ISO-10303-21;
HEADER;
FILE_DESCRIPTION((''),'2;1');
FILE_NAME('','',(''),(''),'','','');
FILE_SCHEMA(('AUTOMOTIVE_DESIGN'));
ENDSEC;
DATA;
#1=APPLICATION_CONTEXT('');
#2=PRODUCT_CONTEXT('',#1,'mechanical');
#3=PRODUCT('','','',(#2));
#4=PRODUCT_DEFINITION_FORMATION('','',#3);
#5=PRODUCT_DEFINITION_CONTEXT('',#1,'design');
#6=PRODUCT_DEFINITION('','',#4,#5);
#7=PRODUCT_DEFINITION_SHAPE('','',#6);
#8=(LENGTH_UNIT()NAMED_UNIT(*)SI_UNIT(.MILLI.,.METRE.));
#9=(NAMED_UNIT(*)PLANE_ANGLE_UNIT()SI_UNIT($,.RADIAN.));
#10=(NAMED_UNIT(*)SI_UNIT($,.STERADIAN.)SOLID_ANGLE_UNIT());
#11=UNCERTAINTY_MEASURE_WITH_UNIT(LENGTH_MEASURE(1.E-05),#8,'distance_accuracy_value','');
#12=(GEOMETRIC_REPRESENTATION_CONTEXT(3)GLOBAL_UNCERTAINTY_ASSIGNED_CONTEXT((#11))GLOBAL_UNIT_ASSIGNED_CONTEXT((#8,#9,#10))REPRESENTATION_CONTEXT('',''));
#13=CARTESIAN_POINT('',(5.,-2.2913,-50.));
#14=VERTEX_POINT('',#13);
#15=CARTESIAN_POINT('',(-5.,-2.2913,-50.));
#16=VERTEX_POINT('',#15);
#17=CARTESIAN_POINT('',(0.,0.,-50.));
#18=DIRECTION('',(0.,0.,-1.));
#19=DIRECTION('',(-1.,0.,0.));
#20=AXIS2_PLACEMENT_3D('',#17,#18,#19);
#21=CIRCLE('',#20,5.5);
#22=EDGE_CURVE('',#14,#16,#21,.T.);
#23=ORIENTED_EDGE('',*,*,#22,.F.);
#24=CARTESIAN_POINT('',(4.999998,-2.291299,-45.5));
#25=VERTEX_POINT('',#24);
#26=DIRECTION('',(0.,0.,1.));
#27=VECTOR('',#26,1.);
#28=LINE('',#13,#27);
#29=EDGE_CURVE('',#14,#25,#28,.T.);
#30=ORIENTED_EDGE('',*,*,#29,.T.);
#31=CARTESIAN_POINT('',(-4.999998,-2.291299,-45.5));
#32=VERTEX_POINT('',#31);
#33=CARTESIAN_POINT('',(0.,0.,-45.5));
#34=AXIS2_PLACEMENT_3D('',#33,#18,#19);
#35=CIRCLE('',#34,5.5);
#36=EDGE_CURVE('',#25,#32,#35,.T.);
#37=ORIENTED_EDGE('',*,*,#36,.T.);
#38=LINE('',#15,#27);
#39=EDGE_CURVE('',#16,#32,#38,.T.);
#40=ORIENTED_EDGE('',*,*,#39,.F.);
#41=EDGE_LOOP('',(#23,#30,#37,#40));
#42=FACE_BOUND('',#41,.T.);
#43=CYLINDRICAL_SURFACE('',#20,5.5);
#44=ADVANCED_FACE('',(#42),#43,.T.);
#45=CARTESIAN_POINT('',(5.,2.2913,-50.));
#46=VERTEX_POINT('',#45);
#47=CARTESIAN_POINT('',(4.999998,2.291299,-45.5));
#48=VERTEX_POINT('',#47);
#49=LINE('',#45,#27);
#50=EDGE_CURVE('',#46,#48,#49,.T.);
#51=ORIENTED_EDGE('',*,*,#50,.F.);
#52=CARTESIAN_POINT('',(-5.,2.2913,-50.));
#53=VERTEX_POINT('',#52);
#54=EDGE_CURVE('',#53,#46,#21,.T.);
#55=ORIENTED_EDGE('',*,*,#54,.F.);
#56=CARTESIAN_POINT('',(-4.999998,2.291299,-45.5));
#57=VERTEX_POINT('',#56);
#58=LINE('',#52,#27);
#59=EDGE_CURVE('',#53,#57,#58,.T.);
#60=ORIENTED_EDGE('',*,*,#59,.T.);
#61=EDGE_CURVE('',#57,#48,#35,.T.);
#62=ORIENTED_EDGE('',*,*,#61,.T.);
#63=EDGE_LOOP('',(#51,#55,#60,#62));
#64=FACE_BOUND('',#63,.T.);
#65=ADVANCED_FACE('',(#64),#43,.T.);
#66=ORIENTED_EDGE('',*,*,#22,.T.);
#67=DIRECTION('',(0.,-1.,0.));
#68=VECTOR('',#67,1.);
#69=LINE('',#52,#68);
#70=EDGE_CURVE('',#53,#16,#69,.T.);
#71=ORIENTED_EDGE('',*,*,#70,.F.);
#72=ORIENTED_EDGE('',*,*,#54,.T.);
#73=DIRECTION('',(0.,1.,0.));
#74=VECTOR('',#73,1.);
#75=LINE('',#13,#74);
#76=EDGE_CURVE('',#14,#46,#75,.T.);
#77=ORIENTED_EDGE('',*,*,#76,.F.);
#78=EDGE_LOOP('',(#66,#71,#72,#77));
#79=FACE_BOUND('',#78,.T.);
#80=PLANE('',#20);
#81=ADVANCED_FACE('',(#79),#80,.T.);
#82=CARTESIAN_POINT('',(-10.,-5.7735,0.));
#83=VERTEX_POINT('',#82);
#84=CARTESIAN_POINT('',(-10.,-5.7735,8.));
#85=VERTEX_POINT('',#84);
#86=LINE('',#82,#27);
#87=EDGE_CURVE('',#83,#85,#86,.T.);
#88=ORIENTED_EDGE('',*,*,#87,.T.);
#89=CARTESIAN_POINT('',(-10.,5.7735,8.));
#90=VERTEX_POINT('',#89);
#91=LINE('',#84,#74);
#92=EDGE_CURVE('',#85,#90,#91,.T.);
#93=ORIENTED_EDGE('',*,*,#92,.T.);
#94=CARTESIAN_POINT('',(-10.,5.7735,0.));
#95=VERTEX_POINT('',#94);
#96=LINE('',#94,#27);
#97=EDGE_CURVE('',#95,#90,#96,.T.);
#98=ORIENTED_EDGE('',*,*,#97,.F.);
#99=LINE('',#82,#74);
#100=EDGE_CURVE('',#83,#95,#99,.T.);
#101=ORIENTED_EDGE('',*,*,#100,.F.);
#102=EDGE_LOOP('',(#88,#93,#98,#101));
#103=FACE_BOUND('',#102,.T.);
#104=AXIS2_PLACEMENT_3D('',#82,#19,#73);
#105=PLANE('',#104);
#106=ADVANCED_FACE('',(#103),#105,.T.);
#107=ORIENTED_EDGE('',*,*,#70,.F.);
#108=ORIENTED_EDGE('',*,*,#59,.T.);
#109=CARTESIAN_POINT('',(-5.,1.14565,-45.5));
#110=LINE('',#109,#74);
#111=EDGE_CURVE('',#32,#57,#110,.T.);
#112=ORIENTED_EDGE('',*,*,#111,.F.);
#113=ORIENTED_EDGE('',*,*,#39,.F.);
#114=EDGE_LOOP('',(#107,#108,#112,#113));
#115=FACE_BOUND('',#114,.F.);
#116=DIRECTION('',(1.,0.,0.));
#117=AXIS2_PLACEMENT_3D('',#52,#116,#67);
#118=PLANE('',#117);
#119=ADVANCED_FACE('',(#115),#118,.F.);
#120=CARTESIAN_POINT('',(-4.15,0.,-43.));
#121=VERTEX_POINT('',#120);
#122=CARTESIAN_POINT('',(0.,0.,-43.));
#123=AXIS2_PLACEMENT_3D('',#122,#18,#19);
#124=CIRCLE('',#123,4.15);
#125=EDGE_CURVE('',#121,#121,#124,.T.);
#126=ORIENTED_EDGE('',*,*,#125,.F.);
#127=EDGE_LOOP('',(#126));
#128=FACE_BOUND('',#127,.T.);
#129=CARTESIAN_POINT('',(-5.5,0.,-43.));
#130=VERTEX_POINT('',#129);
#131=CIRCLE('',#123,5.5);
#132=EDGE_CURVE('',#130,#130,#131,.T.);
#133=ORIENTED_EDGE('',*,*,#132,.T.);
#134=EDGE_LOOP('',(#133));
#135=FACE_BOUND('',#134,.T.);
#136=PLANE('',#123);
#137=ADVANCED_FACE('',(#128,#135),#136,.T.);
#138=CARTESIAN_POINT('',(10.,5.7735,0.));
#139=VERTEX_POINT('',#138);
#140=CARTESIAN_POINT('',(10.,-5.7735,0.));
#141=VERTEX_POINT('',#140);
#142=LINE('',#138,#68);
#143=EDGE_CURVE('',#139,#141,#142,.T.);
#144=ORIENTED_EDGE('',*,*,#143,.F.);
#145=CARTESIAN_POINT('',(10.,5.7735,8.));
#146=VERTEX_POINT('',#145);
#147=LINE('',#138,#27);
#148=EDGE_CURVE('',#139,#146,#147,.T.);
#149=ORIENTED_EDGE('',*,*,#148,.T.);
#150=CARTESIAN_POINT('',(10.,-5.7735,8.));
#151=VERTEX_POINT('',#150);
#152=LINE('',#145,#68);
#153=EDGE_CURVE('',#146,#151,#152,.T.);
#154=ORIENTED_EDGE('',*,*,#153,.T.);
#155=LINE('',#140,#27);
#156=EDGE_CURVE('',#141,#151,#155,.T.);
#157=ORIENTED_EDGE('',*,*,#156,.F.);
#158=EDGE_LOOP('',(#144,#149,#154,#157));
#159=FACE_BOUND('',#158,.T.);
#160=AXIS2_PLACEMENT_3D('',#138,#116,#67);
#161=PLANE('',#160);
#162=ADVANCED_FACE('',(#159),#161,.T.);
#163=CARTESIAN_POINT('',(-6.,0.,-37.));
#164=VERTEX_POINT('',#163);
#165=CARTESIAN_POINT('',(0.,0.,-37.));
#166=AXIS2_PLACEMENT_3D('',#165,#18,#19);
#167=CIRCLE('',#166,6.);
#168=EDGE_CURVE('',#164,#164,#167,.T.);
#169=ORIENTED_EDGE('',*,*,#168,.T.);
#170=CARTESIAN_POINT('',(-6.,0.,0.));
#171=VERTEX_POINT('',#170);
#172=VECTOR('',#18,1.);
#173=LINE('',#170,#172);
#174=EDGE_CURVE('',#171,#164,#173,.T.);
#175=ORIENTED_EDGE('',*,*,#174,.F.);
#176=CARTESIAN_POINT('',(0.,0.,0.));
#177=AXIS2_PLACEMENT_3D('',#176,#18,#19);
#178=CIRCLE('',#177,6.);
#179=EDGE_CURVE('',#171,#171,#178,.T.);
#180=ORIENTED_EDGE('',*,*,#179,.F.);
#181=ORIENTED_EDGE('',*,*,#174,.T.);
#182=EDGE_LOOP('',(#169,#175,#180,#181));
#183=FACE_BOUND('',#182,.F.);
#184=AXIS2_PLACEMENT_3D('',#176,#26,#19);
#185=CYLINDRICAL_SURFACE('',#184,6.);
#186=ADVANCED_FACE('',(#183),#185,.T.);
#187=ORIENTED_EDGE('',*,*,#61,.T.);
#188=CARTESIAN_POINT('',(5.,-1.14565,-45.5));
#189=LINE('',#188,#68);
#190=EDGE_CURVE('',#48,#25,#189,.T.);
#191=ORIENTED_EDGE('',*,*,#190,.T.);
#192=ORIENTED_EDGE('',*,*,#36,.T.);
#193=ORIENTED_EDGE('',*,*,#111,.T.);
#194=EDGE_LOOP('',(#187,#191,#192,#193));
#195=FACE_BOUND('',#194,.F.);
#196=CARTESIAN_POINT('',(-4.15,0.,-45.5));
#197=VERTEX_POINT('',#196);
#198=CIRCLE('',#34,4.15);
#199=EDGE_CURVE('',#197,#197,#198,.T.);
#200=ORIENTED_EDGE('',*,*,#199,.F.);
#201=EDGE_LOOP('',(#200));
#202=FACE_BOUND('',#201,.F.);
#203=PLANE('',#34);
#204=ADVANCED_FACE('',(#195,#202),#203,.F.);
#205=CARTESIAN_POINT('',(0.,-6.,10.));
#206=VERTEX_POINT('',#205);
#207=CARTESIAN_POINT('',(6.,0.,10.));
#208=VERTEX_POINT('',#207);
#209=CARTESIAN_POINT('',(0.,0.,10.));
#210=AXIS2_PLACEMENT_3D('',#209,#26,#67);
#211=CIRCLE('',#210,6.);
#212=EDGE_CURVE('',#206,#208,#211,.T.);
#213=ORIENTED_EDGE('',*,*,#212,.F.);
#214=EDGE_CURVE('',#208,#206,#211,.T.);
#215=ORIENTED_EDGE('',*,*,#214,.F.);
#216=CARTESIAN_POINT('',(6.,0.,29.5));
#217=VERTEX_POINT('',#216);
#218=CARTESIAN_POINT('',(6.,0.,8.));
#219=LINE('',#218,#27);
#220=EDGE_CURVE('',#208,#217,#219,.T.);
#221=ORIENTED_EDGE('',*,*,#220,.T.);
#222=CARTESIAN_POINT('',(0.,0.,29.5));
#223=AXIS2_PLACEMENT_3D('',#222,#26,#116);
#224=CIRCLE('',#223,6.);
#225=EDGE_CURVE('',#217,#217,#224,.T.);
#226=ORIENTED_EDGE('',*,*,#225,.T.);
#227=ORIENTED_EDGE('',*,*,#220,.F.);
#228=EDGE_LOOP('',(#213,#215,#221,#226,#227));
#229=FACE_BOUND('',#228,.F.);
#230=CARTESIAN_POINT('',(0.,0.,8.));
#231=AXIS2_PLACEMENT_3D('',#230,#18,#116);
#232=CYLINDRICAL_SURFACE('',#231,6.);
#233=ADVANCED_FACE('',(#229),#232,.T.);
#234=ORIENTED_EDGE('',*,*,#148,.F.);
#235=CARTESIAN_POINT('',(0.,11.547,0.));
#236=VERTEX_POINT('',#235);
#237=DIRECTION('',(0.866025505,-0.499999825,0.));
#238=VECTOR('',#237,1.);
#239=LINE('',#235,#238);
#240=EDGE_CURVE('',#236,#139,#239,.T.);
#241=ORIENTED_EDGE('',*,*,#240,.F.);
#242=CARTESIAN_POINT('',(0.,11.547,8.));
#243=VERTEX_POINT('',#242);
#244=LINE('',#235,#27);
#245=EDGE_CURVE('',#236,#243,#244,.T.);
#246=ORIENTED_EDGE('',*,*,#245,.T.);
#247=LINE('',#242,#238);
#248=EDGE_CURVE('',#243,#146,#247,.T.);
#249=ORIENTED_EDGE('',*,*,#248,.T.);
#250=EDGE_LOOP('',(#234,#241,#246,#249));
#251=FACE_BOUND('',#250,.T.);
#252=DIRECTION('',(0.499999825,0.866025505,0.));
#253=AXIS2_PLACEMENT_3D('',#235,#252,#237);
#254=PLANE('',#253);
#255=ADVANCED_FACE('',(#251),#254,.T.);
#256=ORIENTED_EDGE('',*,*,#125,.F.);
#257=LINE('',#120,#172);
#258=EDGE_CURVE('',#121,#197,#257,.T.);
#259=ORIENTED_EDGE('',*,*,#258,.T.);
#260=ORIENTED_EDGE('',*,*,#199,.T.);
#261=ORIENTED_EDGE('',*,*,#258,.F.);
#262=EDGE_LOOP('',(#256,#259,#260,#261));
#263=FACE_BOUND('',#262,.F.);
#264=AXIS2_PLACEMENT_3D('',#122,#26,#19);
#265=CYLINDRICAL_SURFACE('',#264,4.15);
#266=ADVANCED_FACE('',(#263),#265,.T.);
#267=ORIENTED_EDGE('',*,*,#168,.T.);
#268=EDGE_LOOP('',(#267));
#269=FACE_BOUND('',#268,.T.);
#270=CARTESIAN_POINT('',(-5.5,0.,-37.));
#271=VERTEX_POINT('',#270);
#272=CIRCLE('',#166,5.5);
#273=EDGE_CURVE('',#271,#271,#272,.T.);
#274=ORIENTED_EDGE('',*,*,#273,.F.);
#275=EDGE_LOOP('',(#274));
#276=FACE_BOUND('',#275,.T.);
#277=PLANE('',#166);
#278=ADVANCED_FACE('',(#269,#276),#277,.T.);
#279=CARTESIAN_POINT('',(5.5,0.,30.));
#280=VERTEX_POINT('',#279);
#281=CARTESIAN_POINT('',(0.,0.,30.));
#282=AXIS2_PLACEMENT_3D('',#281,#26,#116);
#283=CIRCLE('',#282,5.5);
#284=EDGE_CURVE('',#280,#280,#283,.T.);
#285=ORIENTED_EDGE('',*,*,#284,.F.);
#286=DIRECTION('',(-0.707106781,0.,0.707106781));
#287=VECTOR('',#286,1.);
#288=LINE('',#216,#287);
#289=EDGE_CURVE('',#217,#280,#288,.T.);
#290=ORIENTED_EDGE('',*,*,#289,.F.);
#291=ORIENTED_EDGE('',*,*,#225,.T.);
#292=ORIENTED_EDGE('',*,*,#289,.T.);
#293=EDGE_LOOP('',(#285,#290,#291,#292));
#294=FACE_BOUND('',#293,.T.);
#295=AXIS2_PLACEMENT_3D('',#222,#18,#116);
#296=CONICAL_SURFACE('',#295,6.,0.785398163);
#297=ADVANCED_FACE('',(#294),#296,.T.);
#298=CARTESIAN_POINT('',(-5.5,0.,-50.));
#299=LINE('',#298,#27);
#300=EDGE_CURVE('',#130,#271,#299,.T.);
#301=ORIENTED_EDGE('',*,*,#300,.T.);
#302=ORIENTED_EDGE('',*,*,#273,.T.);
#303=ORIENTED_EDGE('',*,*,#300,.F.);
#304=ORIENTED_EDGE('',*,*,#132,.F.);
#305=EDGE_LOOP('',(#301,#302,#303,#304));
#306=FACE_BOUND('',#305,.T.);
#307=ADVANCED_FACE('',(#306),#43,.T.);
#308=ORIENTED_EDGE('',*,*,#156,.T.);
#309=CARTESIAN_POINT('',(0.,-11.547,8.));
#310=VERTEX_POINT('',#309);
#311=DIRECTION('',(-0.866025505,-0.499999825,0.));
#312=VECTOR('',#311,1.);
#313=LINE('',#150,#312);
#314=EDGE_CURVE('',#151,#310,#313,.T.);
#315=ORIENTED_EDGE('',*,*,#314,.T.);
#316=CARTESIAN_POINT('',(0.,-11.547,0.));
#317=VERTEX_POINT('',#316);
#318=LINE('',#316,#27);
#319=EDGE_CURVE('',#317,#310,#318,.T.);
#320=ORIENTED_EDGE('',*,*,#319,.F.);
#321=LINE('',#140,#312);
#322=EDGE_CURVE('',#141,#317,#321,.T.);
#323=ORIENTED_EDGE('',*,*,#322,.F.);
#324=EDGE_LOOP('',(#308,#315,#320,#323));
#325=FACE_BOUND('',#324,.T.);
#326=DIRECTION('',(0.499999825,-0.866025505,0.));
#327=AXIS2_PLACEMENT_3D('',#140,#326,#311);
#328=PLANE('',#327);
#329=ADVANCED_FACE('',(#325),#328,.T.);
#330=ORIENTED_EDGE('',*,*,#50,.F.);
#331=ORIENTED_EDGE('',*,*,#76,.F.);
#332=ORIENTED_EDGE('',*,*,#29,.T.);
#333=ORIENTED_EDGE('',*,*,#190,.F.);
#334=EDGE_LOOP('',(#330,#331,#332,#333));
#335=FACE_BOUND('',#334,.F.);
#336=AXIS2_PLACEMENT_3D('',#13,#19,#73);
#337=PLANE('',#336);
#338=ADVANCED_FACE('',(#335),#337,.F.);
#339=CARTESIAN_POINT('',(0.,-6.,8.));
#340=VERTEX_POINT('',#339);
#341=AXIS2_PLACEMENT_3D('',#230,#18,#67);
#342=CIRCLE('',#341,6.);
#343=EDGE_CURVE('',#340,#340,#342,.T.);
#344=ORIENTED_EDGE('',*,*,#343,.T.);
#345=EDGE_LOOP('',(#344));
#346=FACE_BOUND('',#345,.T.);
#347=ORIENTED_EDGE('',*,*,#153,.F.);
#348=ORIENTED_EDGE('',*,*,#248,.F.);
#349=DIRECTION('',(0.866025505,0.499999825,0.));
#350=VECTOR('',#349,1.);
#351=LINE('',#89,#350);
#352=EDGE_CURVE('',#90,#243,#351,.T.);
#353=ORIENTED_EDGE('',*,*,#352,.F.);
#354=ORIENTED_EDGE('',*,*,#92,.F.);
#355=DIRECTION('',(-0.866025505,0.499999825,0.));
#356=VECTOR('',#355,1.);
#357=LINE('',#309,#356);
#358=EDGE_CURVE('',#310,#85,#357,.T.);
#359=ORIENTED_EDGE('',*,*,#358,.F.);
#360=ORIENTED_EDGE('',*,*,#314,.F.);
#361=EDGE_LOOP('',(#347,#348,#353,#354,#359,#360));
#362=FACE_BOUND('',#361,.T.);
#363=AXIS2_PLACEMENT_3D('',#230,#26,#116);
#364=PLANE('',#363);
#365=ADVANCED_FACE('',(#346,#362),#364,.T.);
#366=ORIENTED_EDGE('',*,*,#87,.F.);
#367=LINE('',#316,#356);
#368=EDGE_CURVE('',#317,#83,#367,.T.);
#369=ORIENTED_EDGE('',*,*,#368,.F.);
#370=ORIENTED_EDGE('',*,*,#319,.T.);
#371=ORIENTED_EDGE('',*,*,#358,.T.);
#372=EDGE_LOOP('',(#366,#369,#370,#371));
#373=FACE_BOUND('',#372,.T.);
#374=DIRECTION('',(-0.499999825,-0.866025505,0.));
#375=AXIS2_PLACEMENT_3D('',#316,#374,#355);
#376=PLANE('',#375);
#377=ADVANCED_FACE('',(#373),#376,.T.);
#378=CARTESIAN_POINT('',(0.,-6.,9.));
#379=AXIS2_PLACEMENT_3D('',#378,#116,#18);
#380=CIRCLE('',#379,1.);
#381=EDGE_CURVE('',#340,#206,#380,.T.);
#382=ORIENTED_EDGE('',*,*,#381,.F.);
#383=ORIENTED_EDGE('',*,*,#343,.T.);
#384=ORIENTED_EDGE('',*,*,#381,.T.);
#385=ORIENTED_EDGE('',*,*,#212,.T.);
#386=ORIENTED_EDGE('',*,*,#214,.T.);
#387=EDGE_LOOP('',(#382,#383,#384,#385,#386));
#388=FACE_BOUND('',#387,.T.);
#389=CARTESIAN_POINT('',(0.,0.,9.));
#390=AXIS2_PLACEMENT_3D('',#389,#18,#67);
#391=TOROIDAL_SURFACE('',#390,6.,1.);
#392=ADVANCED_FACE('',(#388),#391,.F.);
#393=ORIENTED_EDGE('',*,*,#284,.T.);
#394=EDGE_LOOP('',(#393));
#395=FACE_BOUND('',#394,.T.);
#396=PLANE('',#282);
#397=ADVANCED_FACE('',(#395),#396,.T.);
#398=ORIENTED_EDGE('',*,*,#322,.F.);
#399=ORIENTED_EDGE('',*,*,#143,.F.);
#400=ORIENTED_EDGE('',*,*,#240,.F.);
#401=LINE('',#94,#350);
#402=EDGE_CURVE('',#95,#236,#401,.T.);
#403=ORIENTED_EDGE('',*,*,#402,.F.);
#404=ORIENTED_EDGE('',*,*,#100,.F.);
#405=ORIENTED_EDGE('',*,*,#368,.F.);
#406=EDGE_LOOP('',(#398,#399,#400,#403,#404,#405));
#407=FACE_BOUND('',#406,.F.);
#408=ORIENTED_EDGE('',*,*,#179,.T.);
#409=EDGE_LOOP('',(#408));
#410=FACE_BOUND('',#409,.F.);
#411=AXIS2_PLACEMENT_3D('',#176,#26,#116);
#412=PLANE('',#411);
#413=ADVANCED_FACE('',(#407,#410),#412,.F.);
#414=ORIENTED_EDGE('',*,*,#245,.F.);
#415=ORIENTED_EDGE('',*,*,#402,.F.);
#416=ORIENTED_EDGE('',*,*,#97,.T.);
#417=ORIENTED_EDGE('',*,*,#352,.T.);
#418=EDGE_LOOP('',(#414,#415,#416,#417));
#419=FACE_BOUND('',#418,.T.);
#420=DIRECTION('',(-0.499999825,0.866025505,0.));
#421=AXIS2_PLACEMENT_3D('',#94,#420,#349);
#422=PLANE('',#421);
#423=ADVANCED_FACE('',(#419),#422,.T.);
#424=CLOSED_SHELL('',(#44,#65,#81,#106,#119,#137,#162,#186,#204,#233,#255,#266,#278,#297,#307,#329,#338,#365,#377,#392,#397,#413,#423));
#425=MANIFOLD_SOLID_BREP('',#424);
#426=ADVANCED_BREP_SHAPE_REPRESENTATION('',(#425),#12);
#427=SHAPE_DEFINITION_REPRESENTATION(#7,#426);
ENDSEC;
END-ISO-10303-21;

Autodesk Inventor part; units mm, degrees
sketch "草圖1" plane through (0, 0, 0) normal (0, 0, 1) x (1, 0, 0)
  line L0 (0, -11.547) -> (-10, -5.7735)
  line L1 (-10, -5.7735) -> (-10, 5.7735)
  line L2 (-10, 5.7735) -> (0, 11.547)
  line L3 (0, 11.547) -> (10, 5.7735)
  line L4 (10, 5.7735) -> (10, -5.7735)
  line L5 (10, -5.7735) -> (0, -11.547)
  point P0 (0, 0)
  point P1 (0, 0)
  dimension "d16" = 20
extrude "擠出1" add sketch "草圖1" along normal blind 8
sketch "草圖2" plane through (0, 0, 8) normal (0, 0, 1) x (1, 0, 0)
  circle A0 centre (0, 0) radius 6
  dimension "d3" = 12
extrude "擠出2" add sketch "草圖2" along normal blind 22
thread "螺紋1" size "M12x1.75" class "6g" standard "ANSI Metric M Profile" full length
sketch "草圖3" plane through (0, 0, 0) normal (0, 0, -1) x (-1, 0, 0)
  circle A0 centre (0, 0) radius 6
  dimension "d8" = 12
extrude "擠出3" add sketch "草圖3" along normal blind 50
ref_plane "工作平面1" through (0, 0, -43) normal (0, 0, -1) x (-1, 0, 0)
sketch "草圖4" plane through (0, 0, -43) normal (0, 0, -1) x (-1, 0, 0)
  circle A0 centre (0, 0) radius 4.15
  circle A1 centre (0, 0) radius 6
  dimension "d12" = 8.3
  dimension "d13" = 12
extrude "擠出4" cut sketch "草圖4" along normal blind 2.5
ref_plane "工作平面6" through (0, 0, 0) normal (0, 1, 0) x (-1, 0, 0)
chamfer "倒角1" distance 0.5 angle 45 1 edges at (-6, 0, 30)
ref_plane "工作平面8" through (0, 0, 0) normal (1, 0, 0) x (0, 1, 0)
sketch "草圖7" plane through (0, 0, 0) normal (1, 0, 0) x (0, 1, 0)
  line L0 (-5.5, 30) -> (5.5, 30) projected
  line L1 (-6, 8) -> (6, 8) projected
  line L2 (6, 29.5) -> (-6, 29.5) projected
  line L3 (-6, 8) -> (-6, 9)
  arc A0 (-6, 8) -> (-6, 10) centre (-6, 9) ccw
  line L4 (-6, 10) -> (-6, 8)
  line L5 (0, -6) -> (0, 36) projected
  point P0 (0, 0)
revolve "迴轉1" cut sketch "草圖7" angle 360 about axis through (0, 0, -10) along (0, 0, 1)
sketch "草圖10" plane through (0, 0, -50) normal (0, 0, -1) x (-1, 0, 0)
  line L0 (-5, -2.2913) -> (-5, 2.2913)
  line L1 (5, 2.2913) -> (5, -2.2913)
  circle A0 centre (0, 0) radius 5.5 projected
  point P0 (5, -2.8868)
  point P1 (-5, -2.8868)
  point P2 (5, 2.8868)
  dimension "d40" = 10
sketch "草圖11" plane through (0, 0, -50) normal (0, 0, -1) x (-1, 0, 0)
  arc A0 (6, 0) -> (6, 0) centre (0, 0) ccw projected
  circle A1 centre (0, 0) radius 5.5
  circle A2 centre (0, 0) radius 6
  dimension "d45" = 11
extrude "擠出10" cut sketch "草圖11" against normal blind 13
extrude "擠出11" cut sketch "草圖10" against normal up to next contours A0 L0 | L1 A0
properties part number "移動輪固定軸"
